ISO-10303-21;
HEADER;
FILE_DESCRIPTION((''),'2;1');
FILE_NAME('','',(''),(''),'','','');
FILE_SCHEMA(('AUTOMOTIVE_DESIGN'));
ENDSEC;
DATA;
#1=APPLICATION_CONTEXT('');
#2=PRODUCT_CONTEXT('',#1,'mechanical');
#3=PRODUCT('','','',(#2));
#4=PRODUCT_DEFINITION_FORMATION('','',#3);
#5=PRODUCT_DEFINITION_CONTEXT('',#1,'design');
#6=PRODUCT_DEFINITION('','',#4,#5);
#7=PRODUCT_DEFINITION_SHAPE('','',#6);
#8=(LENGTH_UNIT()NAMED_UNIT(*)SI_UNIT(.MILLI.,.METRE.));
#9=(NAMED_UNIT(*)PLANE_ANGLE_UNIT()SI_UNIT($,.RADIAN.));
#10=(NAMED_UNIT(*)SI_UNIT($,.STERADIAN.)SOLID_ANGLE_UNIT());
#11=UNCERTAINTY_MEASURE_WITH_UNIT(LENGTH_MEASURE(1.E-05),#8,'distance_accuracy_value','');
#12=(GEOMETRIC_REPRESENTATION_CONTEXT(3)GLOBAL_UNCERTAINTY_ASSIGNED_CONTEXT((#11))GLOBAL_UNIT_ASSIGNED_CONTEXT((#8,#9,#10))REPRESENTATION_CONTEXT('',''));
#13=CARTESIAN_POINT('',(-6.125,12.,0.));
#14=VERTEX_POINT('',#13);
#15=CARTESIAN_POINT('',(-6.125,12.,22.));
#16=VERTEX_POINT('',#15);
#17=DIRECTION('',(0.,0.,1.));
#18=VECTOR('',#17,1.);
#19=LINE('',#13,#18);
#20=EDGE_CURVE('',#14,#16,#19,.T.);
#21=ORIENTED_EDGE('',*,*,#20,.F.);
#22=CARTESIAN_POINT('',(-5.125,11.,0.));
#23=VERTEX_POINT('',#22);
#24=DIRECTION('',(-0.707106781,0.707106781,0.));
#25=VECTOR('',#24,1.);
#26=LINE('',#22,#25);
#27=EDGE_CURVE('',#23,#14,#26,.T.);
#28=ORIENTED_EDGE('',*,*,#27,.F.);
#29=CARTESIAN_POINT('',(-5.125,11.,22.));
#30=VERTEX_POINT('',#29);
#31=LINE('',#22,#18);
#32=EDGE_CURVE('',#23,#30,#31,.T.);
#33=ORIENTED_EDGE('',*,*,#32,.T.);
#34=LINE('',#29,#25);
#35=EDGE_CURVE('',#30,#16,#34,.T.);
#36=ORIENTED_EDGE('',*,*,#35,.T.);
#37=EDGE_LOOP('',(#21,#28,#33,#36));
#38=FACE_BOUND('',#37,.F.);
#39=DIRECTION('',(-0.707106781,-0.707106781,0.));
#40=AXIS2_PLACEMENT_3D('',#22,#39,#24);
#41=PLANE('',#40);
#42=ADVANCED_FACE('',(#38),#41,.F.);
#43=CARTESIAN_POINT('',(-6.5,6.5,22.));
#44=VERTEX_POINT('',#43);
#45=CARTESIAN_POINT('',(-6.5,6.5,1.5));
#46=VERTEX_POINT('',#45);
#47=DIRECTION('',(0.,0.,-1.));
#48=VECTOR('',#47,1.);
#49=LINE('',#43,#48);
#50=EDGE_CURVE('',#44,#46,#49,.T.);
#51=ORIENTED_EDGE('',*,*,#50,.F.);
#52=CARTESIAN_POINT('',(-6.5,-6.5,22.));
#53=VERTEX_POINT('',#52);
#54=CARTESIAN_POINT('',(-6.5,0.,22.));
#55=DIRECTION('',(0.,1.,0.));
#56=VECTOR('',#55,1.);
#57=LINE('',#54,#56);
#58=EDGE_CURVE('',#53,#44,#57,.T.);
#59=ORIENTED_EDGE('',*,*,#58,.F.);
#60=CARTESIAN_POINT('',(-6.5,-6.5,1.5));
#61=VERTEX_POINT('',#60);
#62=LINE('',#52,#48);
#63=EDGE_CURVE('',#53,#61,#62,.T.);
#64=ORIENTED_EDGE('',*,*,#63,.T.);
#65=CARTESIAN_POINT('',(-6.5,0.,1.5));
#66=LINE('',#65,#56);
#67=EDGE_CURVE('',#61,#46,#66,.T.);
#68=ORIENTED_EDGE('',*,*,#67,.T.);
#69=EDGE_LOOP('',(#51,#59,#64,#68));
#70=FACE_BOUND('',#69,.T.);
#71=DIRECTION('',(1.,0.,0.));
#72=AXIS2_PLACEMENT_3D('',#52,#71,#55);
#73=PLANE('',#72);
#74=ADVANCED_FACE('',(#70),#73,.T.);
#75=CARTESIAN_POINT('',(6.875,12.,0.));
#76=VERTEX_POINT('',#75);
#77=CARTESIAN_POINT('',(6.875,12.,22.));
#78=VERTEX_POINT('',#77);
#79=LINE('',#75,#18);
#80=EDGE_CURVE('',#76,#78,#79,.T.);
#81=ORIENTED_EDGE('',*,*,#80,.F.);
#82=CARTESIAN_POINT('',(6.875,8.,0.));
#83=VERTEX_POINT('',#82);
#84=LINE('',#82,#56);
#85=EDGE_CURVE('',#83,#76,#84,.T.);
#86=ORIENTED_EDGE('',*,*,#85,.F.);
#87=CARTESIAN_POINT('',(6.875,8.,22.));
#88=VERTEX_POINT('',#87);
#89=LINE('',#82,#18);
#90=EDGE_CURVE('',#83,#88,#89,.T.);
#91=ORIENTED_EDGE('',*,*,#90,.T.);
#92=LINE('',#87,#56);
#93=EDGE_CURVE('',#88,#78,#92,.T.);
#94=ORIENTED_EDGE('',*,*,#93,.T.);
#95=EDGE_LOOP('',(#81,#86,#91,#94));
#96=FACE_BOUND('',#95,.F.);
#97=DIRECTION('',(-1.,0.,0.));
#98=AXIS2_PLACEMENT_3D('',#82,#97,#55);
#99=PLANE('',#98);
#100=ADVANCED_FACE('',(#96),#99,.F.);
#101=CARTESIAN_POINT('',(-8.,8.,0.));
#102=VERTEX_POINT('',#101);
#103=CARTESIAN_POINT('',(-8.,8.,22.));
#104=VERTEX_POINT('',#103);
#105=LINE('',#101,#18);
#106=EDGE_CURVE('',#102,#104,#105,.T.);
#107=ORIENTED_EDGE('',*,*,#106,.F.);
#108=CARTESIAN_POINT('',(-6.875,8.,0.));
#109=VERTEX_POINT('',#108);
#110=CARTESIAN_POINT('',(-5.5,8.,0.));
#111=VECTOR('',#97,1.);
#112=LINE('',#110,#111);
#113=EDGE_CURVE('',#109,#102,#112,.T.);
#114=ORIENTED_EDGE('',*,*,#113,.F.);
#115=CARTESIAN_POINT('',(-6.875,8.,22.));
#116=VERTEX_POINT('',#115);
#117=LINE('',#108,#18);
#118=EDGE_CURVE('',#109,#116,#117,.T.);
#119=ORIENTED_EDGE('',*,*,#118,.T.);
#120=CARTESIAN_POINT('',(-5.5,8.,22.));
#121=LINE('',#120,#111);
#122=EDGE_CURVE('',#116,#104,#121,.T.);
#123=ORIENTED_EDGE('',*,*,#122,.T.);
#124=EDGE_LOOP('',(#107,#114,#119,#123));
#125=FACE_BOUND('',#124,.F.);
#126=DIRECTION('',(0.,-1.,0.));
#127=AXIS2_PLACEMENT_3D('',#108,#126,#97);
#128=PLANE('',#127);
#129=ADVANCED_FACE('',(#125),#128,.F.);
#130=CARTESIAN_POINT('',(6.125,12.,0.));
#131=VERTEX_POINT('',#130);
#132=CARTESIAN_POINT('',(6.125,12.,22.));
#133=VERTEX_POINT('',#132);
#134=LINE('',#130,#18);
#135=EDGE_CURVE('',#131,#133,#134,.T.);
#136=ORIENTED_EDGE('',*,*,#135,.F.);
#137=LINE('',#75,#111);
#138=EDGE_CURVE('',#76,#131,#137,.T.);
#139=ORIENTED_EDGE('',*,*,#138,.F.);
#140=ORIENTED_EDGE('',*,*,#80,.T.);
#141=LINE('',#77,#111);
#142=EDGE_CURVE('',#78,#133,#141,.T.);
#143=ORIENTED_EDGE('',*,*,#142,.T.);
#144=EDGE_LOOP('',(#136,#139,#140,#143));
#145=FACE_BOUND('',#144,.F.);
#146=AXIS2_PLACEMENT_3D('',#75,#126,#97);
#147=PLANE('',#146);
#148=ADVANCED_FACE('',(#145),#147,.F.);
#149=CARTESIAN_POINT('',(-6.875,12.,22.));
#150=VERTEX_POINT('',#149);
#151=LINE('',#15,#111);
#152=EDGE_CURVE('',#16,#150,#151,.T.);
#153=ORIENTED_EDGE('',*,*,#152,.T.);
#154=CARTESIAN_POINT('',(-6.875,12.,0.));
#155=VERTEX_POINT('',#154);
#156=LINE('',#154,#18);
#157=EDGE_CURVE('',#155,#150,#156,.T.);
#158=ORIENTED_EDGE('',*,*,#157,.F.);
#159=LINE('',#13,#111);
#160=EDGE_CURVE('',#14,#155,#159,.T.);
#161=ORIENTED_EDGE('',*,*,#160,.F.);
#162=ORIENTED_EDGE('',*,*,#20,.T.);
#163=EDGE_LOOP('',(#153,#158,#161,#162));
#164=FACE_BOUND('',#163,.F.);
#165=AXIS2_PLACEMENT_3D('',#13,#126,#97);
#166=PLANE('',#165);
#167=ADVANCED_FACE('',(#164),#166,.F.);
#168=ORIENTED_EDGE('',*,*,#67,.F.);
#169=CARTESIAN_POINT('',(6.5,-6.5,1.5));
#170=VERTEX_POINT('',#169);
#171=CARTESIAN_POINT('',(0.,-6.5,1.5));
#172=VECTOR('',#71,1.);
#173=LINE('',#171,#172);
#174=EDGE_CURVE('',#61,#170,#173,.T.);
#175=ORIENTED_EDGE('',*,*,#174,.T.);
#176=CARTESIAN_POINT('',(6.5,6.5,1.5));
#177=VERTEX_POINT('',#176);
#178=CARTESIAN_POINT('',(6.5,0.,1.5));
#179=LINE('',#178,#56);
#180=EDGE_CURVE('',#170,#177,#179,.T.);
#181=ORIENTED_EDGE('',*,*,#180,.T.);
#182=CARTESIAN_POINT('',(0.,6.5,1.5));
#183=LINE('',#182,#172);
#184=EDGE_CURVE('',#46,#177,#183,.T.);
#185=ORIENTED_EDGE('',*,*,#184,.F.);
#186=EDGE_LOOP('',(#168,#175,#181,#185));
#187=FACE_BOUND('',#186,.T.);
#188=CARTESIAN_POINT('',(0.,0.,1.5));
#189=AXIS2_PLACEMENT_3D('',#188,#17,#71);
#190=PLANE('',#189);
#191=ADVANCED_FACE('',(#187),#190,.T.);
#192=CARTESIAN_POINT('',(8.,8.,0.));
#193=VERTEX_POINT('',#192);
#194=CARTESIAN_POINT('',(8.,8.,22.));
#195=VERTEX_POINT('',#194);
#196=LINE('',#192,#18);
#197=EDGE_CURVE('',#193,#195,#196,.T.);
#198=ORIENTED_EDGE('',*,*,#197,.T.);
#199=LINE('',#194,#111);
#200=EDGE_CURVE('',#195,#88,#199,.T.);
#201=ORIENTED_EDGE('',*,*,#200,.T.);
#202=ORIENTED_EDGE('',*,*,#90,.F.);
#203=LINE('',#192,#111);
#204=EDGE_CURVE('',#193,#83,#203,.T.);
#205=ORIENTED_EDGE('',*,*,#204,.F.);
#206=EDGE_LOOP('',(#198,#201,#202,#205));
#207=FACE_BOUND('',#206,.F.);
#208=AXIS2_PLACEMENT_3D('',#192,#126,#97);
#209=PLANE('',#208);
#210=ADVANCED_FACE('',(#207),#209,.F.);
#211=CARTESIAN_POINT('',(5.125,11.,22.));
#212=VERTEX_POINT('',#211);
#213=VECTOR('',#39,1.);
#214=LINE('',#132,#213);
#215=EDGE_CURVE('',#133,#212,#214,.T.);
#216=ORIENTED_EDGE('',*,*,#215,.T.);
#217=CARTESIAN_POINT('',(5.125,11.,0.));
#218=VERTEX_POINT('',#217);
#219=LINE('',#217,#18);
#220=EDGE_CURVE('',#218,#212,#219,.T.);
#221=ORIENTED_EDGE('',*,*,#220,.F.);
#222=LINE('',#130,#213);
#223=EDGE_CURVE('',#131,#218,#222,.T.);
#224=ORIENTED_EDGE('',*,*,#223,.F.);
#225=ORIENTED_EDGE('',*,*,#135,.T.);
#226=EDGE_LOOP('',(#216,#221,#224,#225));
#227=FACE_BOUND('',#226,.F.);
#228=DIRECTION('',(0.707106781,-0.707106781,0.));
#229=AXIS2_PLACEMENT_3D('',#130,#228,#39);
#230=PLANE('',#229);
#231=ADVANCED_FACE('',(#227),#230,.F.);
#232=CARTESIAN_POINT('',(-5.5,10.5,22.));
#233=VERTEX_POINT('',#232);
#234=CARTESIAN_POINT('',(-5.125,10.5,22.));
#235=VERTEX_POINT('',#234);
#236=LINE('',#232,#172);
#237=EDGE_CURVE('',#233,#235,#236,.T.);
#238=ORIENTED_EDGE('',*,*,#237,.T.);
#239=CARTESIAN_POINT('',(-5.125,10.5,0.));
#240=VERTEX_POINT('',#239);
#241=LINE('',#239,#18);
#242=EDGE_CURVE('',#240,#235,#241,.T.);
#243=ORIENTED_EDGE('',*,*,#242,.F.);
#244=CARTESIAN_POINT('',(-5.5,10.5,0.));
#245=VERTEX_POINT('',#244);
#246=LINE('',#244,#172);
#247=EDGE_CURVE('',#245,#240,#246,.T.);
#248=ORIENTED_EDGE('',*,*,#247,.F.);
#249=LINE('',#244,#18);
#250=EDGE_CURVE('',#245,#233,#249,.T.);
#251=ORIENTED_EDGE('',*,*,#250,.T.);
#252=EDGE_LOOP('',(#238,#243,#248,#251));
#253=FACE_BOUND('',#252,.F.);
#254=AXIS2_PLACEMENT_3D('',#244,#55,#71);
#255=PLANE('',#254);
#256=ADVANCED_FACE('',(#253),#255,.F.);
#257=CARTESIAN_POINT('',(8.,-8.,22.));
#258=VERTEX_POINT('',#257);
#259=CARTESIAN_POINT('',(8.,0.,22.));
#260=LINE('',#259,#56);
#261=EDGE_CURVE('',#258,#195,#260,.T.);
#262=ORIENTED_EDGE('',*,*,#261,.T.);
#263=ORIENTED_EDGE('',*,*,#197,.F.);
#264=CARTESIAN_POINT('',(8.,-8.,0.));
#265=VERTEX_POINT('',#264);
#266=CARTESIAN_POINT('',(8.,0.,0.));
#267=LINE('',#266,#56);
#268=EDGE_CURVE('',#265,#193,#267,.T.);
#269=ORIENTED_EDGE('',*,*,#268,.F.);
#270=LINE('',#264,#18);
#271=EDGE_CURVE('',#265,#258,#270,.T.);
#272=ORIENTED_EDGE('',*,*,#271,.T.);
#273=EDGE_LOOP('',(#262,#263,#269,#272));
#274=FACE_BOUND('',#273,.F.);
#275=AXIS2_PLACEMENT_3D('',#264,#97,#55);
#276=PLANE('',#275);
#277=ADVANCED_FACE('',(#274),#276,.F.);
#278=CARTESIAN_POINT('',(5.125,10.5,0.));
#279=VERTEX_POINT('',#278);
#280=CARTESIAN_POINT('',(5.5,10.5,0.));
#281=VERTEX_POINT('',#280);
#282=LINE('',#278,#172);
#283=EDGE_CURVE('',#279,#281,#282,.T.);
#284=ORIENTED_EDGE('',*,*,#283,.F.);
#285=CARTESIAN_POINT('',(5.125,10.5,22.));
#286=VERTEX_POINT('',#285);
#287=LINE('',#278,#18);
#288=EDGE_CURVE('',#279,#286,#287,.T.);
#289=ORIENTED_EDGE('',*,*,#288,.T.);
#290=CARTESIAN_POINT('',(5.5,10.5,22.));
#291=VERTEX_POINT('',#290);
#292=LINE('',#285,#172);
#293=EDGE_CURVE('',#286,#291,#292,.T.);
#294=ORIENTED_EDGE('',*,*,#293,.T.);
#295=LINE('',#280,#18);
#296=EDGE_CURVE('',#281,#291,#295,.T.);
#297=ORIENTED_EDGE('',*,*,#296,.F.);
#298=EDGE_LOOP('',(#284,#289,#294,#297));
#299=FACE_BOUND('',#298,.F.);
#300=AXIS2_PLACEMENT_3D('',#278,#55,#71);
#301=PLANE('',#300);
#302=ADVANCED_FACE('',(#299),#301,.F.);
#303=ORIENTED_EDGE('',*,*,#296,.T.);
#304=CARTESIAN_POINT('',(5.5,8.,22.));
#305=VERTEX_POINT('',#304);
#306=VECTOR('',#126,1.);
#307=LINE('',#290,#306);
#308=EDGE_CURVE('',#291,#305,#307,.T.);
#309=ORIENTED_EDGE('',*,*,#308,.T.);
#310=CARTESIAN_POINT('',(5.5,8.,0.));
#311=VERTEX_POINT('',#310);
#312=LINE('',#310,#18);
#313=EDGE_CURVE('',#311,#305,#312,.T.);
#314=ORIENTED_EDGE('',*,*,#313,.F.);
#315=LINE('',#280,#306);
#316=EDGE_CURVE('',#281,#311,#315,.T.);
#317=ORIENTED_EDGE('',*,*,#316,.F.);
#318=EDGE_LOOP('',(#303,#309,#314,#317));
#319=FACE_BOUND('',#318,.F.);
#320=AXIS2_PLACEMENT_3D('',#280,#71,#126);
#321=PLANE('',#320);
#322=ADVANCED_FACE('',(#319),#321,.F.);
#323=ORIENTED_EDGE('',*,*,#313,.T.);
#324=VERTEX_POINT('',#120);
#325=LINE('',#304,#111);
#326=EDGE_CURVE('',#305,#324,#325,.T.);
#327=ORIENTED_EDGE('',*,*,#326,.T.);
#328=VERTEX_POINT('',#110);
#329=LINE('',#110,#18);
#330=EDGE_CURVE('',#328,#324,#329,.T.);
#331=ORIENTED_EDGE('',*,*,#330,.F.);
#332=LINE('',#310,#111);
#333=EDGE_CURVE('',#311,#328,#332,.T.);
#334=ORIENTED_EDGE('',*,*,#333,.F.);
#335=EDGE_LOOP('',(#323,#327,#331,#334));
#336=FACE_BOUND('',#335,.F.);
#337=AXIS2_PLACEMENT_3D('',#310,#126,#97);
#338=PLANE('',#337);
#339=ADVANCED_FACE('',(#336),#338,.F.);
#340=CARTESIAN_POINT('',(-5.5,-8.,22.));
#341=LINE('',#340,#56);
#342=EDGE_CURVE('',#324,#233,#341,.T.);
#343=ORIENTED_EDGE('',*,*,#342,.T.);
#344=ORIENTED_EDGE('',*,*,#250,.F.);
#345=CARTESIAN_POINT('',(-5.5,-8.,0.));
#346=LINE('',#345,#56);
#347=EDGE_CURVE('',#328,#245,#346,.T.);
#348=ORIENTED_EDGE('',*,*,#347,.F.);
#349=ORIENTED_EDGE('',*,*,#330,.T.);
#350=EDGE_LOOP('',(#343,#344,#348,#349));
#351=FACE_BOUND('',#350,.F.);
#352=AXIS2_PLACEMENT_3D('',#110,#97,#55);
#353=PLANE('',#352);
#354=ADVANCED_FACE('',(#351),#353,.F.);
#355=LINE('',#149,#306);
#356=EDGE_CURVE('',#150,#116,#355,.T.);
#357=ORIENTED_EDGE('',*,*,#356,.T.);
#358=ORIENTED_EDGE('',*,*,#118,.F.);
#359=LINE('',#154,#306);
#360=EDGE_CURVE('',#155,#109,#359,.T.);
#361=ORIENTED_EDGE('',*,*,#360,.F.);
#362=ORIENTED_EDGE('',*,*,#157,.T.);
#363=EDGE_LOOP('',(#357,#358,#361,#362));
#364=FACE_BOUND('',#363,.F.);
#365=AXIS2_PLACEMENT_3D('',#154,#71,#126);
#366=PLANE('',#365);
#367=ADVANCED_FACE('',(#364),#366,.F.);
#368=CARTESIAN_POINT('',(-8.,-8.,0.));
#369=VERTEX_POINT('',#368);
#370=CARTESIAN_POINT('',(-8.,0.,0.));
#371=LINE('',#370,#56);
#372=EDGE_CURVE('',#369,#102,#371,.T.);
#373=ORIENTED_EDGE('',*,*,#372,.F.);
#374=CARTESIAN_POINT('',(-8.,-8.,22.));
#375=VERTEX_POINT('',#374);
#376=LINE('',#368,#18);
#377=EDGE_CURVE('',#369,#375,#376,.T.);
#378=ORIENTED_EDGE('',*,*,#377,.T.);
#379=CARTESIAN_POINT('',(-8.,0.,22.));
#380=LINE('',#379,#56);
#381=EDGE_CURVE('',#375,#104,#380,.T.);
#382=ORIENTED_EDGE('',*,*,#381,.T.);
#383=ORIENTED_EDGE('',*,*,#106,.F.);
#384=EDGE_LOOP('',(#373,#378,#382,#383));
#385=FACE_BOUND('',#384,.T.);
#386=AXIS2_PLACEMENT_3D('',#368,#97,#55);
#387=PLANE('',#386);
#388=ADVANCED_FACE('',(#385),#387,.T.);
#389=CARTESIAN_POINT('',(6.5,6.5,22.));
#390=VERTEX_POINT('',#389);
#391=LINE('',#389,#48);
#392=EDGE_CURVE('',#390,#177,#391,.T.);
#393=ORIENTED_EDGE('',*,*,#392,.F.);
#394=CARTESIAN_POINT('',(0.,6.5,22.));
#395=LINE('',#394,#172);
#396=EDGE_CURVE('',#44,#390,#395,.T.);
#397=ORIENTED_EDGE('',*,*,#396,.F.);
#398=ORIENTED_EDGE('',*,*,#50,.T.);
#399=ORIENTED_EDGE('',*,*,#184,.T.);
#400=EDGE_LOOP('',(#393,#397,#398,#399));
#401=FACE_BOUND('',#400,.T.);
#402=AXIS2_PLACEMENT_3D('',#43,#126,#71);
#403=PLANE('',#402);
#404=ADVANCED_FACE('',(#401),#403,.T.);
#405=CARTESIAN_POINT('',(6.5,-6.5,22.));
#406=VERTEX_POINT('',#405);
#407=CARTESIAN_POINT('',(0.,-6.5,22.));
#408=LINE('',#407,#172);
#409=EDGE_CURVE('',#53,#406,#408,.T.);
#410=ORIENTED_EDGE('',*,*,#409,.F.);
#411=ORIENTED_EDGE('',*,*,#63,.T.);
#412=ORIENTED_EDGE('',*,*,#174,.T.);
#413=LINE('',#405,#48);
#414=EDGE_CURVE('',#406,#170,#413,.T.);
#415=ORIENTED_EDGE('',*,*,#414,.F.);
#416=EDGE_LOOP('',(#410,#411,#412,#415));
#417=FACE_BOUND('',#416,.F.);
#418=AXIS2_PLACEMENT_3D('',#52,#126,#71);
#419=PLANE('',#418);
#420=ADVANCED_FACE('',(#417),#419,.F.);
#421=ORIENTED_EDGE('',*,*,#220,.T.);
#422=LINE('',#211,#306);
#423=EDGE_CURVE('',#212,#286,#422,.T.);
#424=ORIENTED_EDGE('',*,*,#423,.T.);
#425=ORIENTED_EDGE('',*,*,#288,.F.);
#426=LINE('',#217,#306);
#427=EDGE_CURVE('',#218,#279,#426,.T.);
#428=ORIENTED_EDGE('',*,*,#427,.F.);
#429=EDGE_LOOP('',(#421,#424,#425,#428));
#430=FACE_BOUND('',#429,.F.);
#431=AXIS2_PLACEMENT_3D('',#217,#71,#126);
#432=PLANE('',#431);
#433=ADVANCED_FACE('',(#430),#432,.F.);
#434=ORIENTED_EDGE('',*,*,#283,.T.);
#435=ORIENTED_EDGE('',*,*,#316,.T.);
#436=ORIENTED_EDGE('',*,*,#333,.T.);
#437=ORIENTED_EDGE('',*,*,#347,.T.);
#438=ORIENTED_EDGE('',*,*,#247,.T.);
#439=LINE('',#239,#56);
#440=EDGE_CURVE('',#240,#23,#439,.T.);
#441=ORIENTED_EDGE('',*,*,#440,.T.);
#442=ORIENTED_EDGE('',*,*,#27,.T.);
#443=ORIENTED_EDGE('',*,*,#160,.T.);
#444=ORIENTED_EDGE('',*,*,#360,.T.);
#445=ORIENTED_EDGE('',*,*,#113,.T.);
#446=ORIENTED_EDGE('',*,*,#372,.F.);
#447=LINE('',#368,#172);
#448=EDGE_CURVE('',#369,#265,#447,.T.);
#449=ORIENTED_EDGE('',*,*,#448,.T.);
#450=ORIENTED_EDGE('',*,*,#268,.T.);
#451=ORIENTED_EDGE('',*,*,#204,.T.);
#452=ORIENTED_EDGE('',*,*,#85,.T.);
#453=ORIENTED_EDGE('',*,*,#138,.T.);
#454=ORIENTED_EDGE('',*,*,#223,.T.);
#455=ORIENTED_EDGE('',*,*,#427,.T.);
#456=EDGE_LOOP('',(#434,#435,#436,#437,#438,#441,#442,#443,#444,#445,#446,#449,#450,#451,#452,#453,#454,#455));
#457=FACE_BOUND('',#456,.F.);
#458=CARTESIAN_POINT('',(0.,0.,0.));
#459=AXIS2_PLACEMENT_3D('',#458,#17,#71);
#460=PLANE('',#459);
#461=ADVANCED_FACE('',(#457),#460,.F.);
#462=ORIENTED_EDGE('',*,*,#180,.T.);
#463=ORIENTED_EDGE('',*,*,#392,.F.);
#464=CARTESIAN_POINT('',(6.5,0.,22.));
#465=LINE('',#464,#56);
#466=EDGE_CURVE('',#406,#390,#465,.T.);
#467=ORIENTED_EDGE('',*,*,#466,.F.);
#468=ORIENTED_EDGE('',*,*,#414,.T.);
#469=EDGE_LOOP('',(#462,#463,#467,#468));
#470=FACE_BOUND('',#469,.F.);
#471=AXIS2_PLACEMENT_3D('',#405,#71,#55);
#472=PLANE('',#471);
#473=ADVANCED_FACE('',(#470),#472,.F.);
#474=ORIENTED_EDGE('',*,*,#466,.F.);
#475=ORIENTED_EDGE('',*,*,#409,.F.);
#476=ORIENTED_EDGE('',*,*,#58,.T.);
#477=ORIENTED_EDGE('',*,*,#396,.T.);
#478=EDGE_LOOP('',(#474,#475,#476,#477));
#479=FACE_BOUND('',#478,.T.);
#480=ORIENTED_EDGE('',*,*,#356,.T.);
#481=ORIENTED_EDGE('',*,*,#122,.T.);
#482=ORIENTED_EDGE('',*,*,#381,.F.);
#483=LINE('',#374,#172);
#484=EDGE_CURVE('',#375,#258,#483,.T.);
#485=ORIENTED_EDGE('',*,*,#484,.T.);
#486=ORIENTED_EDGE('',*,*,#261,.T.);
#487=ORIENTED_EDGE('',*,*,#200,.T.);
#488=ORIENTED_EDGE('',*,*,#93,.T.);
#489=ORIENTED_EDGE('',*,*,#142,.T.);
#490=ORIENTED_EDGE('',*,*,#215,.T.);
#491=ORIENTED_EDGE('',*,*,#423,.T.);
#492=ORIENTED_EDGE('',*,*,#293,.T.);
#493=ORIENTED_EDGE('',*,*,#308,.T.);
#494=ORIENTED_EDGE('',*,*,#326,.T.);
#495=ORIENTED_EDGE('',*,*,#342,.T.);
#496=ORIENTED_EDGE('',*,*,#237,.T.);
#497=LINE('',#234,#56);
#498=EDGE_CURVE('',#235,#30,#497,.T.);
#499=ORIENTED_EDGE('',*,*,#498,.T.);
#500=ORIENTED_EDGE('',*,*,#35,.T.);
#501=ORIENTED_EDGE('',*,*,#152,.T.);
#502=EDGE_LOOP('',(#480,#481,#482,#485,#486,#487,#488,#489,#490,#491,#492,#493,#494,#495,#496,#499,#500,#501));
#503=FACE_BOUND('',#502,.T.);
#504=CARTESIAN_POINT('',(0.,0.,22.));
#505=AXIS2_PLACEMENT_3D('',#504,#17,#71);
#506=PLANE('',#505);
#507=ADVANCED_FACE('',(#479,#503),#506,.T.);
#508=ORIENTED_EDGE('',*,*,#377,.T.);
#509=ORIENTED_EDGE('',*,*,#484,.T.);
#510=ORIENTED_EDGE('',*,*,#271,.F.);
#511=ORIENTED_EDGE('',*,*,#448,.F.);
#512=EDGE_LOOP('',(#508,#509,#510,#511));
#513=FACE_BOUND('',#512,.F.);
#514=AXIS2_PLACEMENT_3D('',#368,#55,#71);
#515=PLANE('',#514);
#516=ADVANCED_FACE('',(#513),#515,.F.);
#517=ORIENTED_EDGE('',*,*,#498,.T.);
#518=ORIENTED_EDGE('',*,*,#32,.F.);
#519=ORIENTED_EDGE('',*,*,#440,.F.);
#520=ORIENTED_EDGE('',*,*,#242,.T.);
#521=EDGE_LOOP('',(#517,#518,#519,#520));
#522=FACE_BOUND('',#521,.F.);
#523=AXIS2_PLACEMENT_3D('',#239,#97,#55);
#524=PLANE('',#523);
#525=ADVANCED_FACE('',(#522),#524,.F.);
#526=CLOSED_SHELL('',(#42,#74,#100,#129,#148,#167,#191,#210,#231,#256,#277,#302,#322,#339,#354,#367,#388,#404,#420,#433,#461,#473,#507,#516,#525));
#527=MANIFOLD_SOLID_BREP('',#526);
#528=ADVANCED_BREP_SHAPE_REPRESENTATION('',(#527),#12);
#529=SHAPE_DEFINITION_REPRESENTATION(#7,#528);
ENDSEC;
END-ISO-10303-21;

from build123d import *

# Parameters (mm, degrees)
F0_W     = 10.25
F0_H     = 16
F0_W_2   = 1.375
F0_W_3   = 1.125
F0_W_4   = 0.375
F1_DEPTH = 22
F2_W     = 13
F2_H     = 13
F3_DEPTH = 20.5


with BuildPart() as f1:
    # F0 (on Top) → F1 (new body)
    with BuildSketch(Plane.XY):
        Rectangle(F0_W, F0_H)
        with Locations((-6.1875, 0)):
            Rectangle(F0_W_2, F0_H)
        with Locations((-7.4375, 0)):
            Rectangle(F0_W_3, F0_H)
        with Locations((6.1875, 0)):
            Rectangle(F0_W_2, F0_H)
        with Locations((7.4375, 0)):
            Rectangle(F0_W_3, F0_H)
        Polygon((-6.875, 8), (-5.5, 8), (-5.5, 10.5), (-5.125, 10.5), (-5.125, 11), (-6.125, 12), (-6.875, 12), align=None)
        Polygon((5.5, 8), (6.875, 8), (6.875, 12), (6.125, 12), (5.125, 11), (5.125, 10.5), (5.5, 10.5), align=None)
        with Locations((-5.3125, 0)):
            Rectangle(F0_W_4, F0_H)
        with Locations((5.3125, 0)):
            Rectangle(F0_W_4, F0_H)
    extrude(amount=F1_DEPTH)

    # F2 (on face) → F3 (cut)
    with BuildSketch(Plane.XY.offset(22)):
        Rectangle(F2_W, F2_H)
    extrude(amount=-F3_DEPTH, mode=Mode.SUBTRACT)


solid = f1.part
